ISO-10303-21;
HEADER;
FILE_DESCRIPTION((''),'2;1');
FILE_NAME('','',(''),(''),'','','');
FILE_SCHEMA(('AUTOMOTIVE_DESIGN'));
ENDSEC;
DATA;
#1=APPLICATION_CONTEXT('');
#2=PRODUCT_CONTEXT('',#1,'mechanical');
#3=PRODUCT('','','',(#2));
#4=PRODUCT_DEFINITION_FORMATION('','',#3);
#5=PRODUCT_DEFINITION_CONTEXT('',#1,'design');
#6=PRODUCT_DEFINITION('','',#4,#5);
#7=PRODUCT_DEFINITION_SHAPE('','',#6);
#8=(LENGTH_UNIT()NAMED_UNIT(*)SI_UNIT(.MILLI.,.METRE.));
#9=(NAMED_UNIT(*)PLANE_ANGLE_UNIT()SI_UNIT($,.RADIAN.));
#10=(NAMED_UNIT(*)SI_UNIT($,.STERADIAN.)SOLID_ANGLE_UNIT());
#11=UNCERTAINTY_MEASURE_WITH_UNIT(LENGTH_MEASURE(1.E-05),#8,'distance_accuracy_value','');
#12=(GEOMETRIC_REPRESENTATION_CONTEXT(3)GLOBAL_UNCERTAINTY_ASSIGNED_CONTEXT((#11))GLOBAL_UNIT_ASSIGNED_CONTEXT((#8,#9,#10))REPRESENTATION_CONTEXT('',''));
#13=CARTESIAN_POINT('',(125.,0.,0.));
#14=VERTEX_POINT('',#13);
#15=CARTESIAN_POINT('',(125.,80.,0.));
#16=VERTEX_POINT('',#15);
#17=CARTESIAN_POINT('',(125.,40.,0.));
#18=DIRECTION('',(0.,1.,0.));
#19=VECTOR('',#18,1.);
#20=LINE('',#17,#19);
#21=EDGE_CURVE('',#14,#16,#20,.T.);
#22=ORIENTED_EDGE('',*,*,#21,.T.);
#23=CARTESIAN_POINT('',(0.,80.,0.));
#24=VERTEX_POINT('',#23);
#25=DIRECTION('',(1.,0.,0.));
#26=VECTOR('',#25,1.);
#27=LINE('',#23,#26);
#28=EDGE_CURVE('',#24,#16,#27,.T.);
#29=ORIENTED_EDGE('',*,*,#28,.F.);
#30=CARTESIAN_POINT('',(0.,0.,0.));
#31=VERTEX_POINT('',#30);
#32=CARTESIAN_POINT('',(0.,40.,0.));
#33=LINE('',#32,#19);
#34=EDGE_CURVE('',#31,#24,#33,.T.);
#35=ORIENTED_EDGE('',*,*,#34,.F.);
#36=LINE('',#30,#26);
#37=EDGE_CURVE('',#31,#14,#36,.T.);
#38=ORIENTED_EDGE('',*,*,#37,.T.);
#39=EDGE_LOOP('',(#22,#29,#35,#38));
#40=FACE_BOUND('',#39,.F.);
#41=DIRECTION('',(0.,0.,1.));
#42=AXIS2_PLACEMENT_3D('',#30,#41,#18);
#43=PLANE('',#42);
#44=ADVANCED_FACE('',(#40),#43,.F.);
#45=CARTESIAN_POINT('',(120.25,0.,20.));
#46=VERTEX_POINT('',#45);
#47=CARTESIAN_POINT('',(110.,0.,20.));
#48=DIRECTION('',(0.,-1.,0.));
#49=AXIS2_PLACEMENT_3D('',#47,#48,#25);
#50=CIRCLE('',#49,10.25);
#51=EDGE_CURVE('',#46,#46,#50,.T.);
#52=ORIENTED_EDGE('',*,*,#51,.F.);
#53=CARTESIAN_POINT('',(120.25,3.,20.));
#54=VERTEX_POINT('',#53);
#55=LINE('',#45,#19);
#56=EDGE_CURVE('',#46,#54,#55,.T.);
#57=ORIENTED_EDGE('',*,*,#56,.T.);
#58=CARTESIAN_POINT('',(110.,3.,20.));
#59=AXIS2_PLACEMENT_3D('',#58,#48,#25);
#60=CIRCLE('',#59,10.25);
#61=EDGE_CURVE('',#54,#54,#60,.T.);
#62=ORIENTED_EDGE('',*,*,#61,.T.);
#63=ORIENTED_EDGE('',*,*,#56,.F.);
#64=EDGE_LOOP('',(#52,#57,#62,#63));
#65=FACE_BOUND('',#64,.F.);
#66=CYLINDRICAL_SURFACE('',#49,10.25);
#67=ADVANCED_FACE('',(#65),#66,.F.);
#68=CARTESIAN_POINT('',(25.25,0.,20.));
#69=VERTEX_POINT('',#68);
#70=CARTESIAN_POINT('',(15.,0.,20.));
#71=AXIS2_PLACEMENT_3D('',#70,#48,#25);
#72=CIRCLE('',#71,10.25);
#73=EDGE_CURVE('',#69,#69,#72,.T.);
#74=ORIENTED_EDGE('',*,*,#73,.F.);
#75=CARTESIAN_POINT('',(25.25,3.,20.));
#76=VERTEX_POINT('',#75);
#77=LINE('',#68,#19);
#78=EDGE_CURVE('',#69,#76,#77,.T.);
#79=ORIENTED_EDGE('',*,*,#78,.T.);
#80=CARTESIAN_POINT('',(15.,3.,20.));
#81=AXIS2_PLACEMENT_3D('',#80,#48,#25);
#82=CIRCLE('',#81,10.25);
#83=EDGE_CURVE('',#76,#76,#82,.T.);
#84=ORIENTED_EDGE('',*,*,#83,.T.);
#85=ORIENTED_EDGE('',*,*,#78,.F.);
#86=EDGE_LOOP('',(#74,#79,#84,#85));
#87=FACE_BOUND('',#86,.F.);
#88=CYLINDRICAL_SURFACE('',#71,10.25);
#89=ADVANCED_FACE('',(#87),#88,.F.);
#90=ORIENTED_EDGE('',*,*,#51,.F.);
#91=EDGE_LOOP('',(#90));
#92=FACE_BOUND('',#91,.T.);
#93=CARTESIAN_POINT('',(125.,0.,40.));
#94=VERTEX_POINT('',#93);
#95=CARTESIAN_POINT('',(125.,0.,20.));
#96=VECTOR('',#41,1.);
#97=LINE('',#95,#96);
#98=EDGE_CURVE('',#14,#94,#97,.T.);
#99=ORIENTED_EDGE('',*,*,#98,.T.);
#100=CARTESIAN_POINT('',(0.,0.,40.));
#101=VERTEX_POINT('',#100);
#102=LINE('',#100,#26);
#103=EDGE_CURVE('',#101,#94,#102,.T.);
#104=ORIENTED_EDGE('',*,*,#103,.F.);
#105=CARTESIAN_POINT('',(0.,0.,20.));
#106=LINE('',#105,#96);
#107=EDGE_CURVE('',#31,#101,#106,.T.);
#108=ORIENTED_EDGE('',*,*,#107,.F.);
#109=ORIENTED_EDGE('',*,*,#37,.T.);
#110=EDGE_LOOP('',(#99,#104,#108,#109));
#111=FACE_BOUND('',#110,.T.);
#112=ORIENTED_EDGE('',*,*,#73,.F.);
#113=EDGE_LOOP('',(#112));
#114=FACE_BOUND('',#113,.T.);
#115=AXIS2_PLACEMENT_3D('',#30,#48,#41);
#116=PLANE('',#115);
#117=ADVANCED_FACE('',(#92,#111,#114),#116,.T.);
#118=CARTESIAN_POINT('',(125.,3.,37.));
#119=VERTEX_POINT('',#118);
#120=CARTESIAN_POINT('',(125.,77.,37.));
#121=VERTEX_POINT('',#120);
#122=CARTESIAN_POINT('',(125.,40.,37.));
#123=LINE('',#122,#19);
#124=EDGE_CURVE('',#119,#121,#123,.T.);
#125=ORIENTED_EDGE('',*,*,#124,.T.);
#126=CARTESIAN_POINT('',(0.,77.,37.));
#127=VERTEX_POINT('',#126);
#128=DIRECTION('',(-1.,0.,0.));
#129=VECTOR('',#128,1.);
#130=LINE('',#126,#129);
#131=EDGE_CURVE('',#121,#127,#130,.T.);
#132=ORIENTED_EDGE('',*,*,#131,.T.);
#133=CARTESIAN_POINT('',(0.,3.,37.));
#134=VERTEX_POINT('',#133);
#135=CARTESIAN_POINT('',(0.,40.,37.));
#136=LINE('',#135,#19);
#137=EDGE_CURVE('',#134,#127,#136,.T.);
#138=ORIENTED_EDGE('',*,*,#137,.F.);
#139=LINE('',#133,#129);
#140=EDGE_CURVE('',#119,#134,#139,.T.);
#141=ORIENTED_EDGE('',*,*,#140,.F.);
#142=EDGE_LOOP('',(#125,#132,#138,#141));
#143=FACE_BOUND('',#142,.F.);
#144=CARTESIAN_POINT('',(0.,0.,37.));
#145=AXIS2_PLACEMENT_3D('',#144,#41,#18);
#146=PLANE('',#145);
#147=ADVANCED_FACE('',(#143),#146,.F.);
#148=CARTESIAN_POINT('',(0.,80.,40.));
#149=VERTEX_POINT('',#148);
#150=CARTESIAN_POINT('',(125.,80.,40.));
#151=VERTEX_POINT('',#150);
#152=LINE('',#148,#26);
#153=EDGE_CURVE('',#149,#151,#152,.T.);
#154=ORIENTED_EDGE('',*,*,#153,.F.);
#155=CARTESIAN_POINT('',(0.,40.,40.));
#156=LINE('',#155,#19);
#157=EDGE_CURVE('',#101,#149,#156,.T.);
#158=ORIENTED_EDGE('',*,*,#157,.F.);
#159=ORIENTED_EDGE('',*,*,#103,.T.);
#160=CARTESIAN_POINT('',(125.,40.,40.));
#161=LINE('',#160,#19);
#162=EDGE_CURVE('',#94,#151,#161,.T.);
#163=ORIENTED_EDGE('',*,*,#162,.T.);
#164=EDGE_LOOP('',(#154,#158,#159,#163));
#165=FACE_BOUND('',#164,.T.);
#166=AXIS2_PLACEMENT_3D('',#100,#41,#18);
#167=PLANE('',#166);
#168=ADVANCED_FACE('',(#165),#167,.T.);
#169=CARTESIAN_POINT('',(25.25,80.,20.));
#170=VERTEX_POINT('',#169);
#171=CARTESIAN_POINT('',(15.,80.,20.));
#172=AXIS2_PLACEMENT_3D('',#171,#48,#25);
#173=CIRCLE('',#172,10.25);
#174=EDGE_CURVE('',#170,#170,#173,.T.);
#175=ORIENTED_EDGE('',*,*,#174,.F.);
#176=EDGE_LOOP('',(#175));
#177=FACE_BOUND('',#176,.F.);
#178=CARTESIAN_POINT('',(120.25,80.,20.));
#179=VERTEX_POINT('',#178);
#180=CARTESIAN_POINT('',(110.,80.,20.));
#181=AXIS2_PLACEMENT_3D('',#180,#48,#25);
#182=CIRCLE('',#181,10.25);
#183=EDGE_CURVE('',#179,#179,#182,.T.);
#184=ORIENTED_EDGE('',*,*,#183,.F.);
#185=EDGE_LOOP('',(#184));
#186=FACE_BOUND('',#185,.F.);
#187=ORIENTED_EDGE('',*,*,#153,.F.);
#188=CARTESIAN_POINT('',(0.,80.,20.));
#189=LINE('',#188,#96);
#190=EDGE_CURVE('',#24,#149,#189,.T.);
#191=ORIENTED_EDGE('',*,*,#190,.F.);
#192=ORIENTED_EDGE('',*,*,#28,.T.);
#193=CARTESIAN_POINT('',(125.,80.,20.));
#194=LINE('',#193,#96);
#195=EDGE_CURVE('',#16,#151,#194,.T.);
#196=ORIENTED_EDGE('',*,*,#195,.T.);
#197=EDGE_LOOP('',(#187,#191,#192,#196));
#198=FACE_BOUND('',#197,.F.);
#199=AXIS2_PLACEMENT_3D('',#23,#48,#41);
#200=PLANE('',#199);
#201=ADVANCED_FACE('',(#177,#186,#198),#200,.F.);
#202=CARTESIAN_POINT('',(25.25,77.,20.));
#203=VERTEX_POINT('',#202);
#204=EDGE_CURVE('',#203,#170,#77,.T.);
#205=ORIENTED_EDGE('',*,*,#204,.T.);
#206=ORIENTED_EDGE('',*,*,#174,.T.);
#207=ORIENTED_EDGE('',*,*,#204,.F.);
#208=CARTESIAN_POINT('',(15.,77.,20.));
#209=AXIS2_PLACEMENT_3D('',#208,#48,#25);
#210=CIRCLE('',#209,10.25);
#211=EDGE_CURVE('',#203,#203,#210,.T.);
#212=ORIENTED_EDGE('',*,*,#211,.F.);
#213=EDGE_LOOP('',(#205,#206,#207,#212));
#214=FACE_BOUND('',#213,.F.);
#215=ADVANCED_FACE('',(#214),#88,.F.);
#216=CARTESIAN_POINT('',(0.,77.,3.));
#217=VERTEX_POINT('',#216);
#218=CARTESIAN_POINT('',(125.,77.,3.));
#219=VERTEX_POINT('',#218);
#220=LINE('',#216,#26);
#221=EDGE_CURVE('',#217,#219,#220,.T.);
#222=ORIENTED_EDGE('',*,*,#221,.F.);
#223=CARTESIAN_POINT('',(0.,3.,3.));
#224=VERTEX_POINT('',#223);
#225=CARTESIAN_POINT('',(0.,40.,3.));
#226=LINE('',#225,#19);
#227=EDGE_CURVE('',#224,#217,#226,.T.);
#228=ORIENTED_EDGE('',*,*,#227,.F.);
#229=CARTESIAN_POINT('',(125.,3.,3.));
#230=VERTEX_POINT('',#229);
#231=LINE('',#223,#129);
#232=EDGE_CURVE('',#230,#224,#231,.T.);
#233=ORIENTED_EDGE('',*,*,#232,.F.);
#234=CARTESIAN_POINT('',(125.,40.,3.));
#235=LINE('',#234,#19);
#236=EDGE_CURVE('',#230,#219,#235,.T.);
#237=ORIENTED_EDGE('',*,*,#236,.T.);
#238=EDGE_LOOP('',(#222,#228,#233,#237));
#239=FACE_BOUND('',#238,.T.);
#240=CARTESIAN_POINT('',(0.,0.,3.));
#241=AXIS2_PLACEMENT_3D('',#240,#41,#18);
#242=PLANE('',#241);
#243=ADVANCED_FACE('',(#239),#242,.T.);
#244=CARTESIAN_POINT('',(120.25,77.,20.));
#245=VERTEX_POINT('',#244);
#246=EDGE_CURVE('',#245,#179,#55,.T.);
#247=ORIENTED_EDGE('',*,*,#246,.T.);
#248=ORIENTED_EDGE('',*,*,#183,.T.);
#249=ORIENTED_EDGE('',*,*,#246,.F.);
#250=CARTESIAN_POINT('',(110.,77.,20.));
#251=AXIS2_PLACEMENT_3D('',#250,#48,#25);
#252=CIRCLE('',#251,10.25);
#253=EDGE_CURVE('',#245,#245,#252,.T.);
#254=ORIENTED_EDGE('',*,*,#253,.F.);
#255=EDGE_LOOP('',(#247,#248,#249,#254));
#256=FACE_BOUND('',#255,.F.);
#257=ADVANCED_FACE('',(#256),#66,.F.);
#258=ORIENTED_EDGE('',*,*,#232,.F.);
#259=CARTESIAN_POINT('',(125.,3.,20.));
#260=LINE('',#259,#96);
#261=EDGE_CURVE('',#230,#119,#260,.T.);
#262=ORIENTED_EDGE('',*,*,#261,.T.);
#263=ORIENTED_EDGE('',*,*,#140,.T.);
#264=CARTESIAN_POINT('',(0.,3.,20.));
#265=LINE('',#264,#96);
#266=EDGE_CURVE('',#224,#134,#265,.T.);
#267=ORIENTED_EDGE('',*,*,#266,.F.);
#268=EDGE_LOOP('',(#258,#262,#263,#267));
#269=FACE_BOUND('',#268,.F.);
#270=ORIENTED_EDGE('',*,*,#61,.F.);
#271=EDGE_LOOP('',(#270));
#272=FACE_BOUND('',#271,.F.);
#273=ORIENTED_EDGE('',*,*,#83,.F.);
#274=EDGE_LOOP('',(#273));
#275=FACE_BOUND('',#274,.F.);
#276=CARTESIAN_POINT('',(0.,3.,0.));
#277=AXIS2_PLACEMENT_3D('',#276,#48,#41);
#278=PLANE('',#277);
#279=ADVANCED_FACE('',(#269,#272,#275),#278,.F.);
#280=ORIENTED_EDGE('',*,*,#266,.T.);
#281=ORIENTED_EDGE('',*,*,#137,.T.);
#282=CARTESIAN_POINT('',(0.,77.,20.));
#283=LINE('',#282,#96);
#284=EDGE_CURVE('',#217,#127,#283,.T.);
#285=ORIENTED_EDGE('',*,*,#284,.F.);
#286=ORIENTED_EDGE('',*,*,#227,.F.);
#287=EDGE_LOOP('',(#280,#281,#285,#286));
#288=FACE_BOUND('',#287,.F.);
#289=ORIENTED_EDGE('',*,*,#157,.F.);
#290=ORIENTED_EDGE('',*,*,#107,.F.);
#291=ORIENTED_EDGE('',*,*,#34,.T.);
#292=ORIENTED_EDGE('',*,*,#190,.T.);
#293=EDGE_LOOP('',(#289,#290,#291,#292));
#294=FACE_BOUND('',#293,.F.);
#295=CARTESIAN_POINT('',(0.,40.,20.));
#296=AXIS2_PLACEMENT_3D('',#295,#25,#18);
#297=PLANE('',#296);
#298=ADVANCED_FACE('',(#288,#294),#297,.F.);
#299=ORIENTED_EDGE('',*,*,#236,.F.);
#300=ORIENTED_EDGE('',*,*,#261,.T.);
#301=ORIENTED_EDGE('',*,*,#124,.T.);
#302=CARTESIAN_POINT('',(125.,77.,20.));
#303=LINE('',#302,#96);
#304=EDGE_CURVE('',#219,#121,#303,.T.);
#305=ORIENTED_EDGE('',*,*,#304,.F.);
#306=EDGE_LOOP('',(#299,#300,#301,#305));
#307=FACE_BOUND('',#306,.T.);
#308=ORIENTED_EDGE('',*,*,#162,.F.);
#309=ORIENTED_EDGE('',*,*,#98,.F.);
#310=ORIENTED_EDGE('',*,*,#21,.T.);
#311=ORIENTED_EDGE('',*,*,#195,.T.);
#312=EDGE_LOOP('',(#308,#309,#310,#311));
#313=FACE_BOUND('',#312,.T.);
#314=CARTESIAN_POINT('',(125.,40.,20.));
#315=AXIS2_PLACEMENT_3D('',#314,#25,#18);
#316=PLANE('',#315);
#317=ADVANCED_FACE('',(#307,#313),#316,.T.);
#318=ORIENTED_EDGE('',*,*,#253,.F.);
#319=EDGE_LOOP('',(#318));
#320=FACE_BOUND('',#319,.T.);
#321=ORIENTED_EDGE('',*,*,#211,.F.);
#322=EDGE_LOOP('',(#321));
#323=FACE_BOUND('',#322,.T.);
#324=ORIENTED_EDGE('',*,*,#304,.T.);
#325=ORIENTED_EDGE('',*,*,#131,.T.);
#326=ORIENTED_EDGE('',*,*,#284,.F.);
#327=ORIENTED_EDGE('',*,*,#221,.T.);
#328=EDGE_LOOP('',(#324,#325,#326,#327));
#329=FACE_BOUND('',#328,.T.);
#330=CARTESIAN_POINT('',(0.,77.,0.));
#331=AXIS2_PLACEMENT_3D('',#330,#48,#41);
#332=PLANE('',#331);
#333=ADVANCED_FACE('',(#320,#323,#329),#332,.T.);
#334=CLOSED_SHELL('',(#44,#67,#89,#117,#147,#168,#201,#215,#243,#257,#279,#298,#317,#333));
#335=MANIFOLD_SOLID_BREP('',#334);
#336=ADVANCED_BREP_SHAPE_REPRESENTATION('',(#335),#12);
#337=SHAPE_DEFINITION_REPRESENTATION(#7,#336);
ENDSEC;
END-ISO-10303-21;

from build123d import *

# Parameters (mm, degrees)
F0_W     = 80
F0_H     = 40
F1_DEPTH = 125
F2_T     = -3
F3_R     = 10.25
F4_DEPTH = 80.001


with BuildPart() as f1:
    # F0 (on Right) → F1 (new body)
    with BuildSketch(Plane.YZ):
        with Locations((40, 20)):
            Rectangle(F0_W, F0_H)
    extrude(amount=F1_DEPTH)

    # F2
    f2_openings = [f1.faces().sort_by_distance(p)[0] for p in [
        (125, 40, 20),
        (0, 40, 20),
    ]]
    offset(amount=F2_T, openings=f2_openings)

    # F3 (on face) → F4 (cut, through all)
    with BuildSketch(Plane.XZ):
        with Locations((15, 20)):
            Circle(F3_R)
        with Locations((110, 20)):
            Circle(F3_R)
    extrude(amount=-F4_DEPTH, mode=Mode.SUBTRACT)


solid = f1.part
